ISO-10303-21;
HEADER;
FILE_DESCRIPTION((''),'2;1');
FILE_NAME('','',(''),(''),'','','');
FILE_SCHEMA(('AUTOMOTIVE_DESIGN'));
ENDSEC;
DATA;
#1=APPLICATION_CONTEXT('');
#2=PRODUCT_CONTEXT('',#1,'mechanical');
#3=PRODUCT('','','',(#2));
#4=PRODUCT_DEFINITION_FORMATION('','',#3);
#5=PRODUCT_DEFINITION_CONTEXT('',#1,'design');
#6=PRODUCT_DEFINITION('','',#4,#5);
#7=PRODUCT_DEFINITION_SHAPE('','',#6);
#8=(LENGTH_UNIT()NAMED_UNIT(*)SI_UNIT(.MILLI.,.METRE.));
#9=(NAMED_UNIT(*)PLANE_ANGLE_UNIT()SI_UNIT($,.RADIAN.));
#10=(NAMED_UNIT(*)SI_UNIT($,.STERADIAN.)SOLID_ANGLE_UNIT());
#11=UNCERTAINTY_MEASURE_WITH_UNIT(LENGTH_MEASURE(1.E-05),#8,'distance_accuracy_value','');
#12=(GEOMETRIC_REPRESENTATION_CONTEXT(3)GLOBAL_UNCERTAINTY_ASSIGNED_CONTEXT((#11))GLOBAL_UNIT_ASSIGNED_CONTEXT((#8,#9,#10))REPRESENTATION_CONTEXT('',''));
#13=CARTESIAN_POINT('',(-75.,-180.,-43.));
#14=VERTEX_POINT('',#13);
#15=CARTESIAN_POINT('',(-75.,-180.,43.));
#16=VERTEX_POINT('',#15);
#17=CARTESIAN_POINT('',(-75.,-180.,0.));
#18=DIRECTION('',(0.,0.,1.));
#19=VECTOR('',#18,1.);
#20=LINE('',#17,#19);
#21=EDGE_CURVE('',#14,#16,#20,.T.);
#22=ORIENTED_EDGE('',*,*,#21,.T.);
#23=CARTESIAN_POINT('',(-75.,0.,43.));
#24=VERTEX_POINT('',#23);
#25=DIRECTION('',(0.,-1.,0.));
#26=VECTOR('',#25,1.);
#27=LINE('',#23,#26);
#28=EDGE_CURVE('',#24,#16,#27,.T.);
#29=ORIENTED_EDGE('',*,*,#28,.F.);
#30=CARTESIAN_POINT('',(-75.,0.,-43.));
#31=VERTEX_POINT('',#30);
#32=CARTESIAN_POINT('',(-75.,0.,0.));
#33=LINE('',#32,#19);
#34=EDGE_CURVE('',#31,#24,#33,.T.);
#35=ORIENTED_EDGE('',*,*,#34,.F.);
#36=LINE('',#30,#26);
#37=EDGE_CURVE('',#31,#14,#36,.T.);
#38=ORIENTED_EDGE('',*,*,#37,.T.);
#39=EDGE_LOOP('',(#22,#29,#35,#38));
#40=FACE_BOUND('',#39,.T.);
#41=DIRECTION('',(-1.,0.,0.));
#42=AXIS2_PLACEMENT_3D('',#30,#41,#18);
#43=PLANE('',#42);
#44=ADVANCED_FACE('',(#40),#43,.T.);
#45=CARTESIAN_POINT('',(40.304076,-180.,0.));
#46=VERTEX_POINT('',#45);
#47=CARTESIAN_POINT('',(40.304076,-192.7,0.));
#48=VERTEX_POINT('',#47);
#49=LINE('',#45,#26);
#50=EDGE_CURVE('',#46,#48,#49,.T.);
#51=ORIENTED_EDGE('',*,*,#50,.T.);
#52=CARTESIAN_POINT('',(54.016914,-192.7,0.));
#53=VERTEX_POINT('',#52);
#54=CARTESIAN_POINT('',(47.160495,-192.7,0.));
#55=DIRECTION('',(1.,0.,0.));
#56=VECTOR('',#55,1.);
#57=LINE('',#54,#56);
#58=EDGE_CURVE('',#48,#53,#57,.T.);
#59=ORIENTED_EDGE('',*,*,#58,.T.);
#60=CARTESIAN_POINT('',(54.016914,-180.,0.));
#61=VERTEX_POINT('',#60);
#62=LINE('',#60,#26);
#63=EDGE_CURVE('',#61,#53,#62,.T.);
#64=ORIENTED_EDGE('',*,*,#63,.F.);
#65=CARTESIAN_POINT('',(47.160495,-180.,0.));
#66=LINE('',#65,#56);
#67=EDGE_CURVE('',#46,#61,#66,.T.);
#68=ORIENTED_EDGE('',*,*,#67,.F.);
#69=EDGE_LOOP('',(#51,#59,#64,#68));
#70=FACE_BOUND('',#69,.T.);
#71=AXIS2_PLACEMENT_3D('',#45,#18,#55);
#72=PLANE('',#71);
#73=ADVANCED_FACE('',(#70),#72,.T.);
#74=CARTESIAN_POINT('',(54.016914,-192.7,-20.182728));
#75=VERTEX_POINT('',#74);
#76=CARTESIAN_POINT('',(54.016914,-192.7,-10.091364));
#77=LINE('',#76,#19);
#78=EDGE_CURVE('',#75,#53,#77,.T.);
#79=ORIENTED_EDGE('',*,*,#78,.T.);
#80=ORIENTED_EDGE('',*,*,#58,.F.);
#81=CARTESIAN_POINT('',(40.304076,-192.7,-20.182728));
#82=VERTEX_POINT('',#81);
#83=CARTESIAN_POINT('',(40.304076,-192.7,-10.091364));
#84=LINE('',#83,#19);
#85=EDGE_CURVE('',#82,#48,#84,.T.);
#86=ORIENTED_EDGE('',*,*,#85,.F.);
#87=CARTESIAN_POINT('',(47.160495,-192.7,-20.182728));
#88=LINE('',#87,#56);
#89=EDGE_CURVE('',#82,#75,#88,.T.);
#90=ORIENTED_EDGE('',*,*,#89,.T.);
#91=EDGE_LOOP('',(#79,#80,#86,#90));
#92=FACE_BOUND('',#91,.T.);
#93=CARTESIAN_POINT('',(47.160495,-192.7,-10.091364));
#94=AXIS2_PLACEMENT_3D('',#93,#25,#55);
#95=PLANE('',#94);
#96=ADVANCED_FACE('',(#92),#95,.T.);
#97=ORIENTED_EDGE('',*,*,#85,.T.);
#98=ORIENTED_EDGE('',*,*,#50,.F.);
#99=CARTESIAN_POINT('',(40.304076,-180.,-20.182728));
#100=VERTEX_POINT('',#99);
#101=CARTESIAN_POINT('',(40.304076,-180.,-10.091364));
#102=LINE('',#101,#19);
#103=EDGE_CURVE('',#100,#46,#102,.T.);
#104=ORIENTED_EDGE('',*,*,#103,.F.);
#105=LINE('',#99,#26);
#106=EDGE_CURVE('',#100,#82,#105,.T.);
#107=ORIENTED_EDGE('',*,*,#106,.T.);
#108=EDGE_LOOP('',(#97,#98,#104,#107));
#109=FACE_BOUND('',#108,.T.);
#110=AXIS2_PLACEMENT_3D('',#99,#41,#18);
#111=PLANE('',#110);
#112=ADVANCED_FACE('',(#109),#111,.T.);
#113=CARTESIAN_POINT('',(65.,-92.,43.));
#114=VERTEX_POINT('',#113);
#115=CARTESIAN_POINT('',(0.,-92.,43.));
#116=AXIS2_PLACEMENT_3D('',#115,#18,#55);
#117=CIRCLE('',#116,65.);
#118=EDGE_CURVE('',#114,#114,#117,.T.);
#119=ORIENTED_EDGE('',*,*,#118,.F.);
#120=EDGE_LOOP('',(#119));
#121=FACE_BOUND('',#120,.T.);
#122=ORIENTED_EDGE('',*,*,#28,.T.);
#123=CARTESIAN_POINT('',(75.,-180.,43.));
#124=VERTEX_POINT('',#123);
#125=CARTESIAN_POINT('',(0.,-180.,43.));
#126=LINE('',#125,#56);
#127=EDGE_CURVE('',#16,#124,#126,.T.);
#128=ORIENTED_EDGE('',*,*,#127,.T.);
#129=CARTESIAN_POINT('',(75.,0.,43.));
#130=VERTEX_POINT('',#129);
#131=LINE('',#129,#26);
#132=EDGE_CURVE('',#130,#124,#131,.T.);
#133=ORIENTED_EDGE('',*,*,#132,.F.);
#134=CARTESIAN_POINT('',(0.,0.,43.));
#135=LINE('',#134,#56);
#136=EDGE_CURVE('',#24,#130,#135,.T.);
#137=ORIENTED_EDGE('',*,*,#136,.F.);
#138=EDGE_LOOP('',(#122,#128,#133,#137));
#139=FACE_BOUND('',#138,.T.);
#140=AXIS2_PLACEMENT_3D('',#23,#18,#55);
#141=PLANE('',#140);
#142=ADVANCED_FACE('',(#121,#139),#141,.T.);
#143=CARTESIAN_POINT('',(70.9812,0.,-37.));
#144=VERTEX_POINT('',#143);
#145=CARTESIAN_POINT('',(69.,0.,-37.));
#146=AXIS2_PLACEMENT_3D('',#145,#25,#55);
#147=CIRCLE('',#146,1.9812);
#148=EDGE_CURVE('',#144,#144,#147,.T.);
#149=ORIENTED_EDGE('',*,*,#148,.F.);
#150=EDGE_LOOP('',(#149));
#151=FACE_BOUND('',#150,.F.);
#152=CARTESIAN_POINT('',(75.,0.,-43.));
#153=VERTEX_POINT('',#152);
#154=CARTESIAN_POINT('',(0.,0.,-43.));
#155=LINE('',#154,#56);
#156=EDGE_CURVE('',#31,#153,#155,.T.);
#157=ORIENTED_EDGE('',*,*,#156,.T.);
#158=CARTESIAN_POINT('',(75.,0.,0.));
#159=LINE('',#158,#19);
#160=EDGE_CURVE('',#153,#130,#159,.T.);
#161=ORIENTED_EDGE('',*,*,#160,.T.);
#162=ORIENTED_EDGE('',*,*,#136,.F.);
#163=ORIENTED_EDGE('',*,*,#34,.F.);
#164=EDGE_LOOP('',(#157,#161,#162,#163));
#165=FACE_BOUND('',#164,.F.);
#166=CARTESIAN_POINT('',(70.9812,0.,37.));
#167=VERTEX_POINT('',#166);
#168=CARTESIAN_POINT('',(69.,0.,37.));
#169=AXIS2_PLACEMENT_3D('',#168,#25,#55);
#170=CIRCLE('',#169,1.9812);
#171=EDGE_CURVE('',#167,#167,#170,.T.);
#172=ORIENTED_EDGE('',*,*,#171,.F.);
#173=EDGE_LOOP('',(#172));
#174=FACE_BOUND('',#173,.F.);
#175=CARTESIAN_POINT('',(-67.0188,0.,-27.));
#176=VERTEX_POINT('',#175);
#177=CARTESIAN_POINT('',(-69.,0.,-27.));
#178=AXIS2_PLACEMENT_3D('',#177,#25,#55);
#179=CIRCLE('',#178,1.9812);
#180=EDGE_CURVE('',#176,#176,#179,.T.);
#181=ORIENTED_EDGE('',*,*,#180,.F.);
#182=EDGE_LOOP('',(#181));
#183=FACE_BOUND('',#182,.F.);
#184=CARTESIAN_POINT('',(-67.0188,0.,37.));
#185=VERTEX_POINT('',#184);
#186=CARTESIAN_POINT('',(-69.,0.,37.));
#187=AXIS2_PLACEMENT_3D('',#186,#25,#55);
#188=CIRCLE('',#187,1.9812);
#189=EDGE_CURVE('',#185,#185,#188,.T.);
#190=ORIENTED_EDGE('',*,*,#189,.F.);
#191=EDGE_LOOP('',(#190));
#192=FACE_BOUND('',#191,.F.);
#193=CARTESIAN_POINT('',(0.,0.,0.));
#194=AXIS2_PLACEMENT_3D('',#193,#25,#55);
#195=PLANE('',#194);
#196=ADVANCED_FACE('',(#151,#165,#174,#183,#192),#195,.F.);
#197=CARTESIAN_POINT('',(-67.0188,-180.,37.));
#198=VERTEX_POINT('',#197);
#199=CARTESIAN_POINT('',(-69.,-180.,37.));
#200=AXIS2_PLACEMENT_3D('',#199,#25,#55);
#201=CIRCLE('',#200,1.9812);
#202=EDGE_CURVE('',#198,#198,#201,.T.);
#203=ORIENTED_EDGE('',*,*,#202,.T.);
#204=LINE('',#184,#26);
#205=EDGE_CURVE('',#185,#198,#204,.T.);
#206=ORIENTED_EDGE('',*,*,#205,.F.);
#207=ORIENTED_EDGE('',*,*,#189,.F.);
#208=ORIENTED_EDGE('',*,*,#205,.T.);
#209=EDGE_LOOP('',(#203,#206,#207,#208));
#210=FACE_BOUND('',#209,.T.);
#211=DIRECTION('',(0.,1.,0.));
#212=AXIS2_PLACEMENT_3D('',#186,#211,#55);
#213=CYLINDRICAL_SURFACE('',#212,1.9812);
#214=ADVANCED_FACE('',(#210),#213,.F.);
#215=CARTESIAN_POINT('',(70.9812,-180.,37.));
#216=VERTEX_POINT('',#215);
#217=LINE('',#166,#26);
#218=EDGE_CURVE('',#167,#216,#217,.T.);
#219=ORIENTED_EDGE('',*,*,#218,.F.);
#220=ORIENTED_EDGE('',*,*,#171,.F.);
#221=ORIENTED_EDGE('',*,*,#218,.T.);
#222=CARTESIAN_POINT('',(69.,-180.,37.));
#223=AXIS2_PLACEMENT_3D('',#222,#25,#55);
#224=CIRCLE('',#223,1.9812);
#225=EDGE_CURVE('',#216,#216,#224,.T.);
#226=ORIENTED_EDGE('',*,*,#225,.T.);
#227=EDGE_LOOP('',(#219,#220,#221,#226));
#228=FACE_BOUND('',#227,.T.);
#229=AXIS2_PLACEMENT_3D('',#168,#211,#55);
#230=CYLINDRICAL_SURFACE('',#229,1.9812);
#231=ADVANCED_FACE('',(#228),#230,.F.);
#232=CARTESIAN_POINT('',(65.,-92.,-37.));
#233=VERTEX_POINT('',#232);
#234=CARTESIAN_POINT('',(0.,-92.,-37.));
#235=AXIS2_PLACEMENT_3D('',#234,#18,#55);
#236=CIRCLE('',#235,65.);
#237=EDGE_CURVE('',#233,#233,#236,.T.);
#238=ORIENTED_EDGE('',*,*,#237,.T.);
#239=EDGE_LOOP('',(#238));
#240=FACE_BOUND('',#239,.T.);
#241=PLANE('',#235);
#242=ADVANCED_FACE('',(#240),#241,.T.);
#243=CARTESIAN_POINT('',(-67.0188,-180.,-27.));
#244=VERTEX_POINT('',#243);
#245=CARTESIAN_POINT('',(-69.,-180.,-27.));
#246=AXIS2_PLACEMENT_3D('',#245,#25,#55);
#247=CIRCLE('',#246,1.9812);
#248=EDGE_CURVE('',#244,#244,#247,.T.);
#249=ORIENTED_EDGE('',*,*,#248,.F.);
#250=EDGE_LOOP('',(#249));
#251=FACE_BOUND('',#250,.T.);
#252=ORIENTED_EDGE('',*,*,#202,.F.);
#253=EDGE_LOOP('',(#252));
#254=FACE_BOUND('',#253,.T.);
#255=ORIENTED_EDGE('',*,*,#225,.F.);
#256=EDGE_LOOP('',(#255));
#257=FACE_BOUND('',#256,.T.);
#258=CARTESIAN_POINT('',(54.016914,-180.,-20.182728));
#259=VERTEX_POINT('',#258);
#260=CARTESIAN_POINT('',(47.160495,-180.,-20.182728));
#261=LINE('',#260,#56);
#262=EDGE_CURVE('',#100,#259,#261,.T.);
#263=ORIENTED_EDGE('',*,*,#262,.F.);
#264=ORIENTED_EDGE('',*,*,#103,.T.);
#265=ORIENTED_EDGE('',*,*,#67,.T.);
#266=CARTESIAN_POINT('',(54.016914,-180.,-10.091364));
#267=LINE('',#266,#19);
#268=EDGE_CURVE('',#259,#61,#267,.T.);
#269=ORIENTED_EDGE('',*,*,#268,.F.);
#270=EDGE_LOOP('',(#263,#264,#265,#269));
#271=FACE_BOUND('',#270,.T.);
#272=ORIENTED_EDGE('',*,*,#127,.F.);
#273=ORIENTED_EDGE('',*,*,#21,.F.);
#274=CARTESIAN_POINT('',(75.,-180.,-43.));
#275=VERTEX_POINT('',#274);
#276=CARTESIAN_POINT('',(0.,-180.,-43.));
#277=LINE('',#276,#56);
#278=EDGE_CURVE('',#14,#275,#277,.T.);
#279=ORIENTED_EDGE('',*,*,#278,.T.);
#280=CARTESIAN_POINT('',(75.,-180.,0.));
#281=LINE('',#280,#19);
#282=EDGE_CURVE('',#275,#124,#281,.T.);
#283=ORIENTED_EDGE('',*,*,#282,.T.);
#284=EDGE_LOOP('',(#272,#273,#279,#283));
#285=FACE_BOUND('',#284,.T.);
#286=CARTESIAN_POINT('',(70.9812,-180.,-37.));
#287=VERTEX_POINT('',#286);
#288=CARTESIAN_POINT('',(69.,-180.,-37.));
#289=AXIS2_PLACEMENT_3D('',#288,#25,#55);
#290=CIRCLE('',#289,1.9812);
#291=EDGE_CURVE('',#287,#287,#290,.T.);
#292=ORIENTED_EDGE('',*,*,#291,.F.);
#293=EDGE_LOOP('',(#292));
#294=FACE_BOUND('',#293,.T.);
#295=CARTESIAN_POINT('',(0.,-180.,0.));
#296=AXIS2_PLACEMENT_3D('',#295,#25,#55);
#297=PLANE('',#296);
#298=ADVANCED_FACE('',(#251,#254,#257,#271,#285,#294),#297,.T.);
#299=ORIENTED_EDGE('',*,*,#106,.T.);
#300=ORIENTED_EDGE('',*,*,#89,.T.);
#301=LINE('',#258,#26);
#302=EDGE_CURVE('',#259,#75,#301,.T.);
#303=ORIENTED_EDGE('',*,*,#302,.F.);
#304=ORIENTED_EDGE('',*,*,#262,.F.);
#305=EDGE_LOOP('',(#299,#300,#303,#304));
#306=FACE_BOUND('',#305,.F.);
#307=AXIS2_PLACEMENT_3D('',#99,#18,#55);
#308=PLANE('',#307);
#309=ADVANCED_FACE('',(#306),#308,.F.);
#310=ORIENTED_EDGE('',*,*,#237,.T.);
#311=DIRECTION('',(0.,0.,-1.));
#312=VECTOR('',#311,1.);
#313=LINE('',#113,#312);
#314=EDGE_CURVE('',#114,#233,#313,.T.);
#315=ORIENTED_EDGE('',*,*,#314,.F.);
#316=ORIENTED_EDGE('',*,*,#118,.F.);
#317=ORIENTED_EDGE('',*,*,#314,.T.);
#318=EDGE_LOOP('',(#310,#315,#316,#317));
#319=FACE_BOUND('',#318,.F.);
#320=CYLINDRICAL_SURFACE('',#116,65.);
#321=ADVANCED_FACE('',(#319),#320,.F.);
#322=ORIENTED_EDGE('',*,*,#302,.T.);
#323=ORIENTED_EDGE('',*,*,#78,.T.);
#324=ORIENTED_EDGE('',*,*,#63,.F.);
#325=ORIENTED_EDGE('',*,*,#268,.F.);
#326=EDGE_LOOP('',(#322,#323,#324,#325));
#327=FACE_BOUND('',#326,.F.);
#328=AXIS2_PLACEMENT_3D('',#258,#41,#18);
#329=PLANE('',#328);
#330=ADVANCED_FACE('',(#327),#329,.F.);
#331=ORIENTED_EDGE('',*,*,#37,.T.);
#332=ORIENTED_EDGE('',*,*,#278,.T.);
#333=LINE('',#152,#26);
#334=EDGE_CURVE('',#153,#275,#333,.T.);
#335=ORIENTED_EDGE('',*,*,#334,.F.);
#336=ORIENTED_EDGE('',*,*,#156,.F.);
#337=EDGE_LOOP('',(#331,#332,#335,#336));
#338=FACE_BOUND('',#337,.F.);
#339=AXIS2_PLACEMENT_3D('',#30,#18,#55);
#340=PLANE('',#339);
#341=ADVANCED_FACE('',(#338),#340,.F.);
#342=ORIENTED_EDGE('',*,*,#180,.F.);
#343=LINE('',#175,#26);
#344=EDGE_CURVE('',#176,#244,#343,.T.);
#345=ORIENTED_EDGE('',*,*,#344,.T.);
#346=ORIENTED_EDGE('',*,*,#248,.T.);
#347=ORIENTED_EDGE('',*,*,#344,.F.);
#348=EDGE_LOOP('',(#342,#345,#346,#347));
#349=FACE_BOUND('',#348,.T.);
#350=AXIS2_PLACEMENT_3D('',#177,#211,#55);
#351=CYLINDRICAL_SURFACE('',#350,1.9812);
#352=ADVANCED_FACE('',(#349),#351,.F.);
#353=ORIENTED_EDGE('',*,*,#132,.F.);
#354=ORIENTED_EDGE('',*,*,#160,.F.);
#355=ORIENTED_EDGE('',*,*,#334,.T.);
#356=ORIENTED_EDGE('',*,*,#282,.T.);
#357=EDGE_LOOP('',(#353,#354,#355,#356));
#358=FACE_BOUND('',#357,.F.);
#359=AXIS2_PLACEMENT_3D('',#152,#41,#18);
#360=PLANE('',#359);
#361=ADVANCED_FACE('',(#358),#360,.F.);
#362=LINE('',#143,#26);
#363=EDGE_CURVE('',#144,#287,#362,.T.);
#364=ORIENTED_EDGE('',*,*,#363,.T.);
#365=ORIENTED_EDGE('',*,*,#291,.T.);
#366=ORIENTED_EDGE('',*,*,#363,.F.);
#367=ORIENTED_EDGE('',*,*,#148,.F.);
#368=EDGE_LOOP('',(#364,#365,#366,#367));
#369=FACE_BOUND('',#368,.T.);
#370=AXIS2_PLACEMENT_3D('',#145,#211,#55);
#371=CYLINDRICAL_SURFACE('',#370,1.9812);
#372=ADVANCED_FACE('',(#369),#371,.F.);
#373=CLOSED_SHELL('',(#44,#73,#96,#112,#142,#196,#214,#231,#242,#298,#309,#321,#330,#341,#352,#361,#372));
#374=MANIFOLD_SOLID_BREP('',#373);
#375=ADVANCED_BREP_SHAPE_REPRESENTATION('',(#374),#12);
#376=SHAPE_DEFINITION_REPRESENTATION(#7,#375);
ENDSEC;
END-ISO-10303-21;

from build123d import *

# Parameters (mm, degrees)
F0_W     = 150
F0_H     = 86
F0_R     = 1.9812
F1_DEPTH = 180
F2_R     = 65
F3_DEPTH = 80
F4_W     = 13.712838
F4_H     = 20.182729
F5_DEPTH = 12.7


with BuildPart() as f1:
    # F0 (on Front) → F1 (new body)
    with BuildSketch(Plane.XZ):
        Rectangle(F0_W, F0_H)
        with Locations((-69, -27)):
            Circle(F0_R, mode=Mode.SUBTRACT)
        with Locations((69, -37)):
            Circle(F0_R, mode=Mode.SUBTRACT)
        with Locations((-69, 37)):
            Circle(F0_R, mode=Mode.SUBTRACT)
        with Locations((69, 37)):
            Circle(F0_R, mode=Mode.SUBTRACT)
    extrude(amount=F1_DEPTH)

    # F2 (on face) → F3 (cut)
    with BuildSketch(Plane.XY.offset(43)):
        with Locations((0, -92)):
            Circle(F2_R)
    extrude(amount=-F3_DEPTH, mode=Mode.SUBTRACT)

    # F4 (on face) → F5 (join)
    with BuildSketch(Plane.XZ.offset(180)):
        with Locations((47.160495, -10.091364)):
            Rectangle(F4_W, F4_H)
    extrude(amount=F5_DEPTH)


solid = f1.part
